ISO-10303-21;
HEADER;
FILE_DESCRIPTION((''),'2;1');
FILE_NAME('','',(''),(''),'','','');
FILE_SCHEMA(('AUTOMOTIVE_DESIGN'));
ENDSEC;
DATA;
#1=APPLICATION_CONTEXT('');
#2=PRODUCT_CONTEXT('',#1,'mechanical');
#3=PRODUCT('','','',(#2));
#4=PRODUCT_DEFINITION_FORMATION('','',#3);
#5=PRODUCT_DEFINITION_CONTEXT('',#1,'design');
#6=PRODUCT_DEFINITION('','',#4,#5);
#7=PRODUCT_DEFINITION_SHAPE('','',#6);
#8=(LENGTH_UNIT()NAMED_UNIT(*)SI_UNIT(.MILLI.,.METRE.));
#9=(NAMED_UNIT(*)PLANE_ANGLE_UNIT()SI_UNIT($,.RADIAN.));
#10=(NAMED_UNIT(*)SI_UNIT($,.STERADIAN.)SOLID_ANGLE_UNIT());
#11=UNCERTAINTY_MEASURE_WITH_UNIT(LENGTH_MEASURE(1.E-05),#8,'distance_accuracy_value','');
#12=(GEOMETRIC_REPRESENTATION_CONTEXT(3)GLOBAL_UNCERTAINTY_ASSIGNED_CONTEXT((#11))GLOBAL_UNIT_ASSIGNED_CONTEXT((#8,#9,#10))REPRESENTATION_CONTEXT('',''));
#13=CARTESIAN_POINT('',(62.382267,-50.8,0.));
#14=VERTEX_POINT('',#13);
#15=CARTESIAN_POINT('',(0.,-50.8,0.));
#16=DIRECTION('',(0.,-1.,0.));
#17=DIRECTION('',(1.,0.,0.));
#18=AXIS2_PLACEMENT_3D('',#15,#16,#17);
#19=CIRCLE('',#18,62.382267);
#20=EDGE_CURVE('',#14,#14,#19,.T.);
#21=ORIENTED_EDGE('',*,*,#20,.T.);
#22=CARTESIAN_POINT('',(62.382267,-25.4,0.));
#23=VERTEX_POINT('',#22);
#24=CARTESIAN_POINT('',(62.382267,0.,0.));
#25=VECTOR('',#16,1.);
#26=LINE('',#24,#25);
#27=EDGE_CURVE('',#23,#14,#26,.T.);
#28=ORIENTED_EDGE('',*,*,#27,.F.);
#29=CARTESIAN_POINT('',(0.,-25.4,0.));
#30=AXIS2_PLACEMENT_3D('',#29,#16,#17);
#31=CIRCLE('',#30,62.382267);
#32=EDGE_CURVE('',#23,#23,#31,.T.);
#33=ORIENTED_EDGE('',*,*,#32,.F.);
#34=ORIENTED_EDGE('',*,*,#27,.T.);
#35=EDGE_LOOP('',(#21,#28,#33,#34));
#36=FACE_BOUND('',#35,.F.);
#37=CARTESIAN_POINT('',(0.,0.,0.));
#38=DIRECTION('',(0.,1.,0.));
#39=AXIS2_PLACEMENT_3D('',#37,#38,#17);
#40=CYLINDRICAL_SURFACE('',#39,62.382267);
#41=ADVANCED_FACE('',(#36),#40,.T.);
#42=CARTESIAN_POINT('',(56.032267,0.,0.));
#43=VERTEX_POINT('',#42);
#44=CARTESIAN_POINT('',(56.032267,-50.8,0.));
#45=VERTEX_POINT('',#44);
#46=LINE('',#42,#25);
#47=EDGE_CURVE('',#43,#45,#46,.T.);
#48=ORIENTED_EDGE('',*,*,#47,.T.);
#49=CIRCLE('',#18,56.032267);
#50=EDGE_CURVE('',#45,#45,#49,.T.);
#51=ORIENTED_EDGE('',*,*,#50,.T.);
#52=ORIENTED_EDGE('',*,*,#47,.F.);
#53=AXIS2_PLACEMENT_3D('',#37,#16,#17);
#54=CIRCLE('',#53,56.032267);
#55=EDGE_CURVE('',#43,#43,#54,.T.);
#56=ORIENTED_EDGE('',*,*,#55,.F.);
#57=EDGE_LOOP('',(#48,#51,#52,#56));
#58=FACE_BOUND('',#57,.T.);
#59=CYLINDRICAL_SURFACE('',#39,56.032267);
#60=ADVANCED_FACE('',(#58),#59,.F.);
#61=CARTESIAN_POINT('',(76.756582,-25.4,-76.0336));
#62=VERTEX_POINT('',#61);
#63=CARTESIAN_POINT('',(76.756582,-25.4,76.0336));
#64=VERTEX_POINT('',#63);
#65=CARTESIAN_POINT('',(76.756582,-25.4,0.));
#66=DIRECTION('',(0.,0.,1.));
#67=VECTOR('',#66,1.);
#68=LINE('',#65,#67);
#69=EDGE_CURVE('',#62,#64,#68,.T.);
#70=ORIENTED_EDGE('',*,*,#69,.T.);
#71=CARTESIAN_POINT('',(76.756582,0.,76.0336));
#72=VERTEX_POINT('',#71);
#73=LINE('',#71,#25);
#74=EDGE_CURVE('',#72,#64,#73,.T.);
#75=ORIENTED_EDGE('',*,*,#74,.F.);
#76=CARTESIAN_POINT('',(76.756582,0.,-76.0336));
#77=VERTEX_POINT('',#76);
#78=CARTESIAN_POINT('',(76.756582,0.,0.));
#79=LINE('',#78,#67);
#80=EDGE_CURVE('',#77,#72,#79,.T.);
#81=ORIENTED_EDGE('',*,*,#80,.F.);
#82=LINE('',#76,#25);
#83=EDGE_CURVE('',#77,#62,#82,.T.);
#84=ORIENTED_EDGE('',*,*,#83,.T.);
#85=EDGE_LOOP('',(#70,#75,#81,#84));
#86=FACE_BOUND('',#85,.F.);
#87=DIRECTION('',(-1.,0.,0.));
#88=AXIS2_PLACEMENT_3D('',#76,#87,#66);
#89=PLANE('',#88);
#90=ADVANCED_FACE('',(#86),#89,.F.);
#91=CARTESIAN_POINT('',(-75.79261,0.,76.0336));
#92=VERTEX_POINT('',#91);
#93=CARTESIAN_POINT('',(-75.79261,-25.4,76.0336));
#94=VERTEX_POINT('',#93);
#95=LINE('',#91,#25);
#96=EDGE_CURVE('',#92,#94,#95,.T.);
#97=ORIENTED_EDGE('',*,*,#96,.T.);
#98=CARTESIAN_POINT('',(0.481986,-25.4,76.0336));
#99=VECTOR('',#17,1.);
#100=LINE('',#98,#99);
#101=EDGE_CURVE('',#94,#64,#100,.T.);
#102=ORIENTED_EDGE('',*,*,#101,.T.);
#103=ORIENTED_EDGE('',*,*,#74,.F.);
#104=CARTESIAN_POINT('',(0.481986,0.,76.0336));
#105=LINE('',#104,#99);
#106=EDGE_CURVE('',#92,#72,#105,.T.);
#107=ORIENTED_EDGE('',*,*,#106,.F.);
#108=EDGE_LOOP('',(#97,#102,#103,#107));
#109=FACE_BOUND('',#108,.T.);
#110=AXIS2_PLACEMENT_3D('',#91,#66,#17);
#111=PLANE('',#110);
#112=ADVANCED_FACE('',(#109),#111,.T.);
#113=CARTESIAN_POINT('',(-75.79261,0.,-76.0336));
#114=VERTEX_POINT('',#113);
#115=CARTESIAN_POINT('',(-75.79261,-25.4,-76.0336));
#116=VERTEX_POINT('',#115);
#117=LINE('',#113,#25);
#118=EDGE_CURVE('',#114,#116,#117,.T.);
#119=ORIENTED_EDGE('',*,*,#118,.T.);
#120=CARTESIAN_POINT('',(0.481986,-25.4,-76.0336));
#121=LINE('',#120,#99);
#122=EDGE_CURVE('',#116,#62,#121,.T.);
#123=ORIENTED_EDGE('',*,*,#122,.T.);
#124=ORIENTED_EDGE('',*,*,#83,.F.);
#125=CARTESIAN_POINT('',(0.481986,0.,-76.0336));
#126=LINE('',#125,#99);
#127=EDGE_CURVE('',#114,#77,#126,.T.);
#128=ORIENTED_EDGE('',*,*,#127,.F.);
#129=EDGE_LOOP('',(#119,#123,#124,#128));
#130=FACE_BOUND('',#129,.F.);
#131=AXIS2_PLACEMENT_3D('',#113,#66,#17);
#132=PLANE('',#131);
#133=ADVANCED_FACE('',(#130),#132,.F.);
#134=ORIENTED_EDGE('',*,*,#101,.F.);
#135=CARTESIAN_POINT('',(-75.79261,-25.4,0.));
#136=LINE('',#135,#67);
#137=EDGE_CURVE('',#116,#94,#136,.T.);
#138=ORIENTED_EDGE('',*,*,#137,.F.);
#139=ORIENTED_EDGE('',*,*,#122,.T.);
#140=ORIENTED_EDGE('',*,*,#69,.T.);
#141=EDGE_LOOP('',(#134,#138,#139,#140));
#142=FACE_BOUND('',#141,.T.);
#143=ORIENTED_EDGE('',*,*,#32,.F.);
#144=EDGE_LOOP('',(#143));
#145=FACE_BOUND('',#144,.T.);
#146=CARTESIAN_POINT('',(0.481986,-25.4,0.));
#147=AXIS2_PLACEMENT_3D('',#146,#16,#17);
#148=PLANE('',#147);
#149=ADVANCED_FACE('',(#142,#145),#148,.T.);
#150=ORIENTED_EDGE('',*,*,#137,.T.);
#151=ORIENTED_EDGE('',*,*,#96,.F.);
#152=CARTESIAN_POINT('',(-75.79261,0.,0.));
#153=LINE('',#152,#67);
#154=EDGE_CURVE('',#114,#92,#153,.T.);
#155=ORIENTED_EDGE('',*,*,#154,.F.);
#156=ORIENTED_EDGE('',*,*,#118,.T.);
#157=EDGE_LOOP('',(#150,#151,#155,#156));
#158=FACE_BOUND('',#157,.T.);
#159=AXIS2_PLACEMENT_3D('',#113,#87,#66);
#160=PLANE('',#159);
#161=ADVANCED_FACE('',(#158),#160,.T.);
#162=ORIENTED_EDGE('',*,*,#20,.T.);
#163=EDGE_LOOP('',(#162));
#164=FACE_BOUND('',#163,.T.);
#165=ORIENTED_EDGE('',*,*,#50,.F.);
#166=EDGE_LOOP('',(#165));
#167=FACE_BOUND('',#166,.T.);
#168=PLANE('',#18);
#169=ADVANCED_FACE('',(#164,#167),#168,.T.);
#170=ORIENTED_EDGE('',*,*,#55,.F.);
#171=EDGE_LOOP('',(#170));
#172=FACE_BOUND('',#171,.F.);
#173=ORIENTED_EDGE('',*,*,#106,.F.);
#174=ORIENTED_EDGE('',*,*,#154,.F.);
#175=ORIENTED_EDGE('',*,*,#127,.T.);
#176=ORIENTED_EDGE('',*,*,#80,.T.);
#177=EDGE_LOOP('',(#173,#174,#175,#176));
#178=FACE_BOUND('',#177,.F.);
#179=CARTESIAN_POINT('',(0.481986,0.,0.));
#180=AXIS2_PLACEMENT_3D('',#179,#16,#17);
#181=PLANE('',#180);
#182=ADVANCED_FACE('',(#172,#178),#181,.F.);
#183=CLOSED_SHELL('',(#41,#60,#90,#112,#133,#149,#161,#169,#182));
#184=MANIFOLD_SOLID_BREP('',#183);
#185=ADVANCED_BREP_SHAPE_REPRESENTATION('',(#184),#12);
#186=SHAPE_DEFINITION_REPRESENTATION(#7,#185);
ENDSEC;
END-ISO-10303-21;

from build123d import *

# Parameters (mm, degrees)
F0_W     = 152.549193
F0_H     = 152.0672
F0_R     = 62.382267
F1_DEPTH = 25.4
F0_R_2   = 56.032267
F2_DEPTH = 50.8


with BuildPart() as f1:
    # F0 (on Front) → F1 (new body)
    with BuildSketch(Plane.XZ):
        with Locations((0.481986, 0)):
            Rectangle(F0_W, F0_H)
        Circle(F0_R, mode=Mode.SUBTRACT)
    extrude(amount=F1_DEPTH)

    # F0 (on Front) → F2 (join)
    with BuildSketch(Plane.XZ):
        Circle(F0_R)
        Circle(F0_R_2, mode=Mode.SUBTRACT)
    extrude(amount=F2_DEPTH)


solid = f1.part
